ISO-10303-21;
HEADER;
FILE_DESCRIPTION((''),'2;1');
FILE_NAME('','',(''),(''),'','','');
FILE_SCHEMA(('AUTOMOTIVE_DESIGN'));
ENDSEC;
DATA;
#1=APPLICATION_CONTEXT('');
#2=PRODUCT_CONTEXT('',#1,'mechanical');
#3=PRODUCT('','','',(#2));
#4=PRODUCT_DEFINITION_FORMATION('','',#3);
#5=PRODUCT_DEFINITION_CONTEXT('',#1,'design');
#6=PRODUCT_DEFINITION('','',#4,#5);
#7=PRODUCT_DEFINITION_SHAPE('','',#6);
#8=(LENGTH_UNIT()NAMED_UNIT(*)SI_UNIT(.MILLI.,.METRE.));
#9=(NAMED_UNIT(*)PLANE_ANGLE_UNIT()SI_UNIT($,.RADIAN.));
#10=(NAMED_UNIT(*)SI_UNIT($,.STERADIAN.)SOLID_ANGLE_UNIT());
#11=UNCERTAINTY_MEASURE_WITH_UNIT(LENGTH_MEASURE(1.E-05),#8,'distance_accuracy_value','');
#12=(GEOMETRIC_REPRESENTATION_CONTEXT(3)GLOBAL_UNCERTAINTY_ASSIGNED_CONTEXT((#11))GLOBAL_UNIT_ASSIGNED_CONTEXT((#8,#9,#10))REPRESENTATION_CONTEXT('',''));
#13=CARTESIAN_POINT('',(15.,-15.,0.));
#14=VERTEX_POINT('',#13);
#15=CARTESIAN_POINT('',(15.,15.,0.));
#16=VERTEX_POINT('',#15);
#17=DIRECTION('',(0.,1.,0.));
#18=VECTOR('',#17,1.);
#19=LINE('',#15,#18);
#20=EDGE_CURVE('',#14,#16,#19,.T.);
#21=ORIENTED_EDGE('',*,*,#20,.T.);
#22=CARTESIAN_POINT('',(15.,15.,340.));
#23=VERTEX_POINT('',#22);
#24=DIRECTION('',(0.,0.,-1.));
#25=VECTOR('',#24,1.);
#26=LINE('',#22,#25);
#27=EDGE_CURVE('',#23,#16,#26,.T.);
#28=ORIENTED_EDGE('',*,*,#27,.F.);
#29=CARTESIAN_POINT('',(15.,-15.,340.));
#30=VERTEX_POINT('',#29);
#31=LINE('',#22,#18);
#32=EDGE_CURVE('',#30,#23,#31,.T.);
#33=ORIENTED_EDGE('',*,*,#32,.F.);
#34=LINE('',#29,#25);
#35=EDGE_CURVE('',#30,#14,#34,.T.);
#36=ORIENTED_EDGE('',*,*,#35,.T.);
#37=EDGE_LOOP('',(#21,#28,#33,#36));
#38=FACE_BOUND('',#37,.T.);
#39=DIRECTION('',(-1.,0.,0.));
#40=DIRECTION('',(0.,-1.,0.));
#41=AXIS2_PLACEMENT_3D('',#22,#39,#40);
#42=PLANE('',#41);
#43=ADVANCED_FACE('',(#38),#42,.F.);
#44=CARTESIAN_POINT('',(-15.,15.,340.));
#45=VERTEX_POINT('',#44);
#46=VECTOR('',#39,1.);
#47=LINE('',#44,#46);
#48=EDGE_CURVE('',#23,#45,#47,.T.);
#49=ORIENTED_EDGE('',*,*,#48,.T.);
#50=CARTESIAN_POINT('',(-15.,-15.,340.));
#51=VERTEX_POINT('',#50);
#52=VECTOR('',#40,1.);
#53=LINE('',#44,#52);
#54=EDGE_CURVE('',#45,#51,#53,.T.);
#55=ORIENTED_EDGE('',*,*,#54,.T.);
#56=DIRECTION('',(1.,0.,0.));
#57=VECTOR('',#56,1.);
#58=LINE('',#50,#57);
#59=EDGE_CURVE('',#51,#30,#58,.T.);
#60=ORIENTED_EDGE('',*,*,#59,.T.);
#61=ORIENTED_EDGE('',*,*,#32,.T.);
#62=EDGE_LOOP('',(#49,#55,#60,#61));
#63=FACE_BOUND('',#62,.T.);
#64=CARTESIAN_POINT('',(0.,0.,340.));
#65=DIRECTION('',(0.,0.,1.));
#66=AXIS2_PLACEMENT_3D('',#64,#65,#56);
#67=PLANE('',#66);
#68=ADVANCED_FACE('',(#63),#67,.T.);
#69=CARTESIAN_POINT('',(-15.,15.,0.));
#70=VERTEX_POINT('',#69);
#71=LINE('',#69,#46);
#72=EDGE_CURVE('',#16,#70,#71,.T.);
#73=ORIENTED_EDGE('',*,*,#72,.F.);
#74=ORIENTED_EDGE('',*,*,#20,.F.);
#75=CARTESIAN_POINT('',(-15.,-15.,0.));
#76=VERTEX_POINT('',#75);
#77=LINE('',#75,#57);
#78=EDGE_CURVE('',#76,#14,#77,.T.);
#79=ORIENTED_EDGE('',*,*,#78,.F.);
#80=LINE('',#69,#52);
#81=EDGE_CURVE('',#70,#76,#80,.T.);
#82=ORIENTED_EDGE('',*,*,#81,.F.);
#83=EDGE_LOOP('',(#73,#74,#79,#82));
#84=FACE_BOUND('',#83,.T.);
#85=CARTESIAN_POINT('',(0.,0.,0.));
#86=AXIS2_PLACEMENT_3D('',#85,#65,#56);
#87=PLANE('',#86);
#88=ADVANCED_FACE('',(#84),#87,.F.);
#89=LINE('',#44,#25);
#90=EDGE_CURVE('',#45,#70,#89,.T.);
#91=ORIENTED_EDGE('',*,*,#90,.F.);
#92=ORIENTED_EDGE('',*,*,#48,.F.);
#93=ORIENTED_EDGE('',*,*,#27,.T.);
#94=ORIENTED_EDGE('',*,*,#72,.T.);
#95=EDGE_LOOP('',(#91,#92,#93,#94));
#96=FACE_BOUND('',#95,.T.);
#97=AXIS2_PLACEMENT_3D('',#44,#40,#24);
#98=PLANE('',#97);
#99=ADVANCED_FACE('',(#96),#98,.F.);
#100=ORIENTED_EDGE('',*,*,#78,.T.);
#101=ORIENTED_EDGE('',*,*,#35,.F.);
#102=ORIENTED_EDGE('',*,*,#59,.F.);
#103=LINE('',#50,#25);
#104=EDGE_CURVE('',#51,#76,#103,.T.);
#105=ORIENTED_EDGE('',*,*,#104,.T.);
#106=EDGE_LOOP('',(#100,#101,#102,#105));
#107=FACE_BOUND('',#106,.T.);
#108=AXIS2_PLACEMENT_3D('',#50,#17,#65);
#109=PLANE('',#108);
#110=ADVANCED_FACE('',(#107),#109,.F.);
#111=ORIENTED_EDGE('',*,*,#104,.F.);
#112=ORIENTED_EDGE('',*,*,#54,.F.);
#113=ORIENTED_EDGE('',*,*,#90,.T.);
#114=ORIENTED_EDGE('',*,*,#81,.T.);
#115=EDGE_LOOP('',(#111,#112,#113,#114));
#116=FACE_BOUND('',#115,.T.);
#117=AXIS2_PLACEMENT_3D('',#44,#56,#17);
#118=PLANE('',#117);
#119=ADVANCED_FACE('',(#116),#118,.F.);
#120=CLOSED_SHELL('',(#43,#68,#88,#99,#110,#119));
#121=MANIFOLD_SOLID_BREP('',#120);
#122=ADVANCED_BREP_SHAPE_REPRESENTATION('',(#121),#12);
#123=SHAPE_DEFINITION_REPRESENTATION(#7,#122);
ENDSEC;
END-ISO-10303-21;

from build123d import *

# Parameters (mm, degrees)
SKETCH_1_W      = 30
SKETCH_1_H      = 30
EXTRUDE_1_DEPTH = 340


with BuildPart() as part:
    # 草图1 → 凸台-拉伸1 (new body)
    with BuildSketch(Plane.XY):
        Rectangle(SKETCH_1_W, SKETCH_1_H)
    extrude(amount=EXTRUDE_1_DEPTH)


solid = part.part
